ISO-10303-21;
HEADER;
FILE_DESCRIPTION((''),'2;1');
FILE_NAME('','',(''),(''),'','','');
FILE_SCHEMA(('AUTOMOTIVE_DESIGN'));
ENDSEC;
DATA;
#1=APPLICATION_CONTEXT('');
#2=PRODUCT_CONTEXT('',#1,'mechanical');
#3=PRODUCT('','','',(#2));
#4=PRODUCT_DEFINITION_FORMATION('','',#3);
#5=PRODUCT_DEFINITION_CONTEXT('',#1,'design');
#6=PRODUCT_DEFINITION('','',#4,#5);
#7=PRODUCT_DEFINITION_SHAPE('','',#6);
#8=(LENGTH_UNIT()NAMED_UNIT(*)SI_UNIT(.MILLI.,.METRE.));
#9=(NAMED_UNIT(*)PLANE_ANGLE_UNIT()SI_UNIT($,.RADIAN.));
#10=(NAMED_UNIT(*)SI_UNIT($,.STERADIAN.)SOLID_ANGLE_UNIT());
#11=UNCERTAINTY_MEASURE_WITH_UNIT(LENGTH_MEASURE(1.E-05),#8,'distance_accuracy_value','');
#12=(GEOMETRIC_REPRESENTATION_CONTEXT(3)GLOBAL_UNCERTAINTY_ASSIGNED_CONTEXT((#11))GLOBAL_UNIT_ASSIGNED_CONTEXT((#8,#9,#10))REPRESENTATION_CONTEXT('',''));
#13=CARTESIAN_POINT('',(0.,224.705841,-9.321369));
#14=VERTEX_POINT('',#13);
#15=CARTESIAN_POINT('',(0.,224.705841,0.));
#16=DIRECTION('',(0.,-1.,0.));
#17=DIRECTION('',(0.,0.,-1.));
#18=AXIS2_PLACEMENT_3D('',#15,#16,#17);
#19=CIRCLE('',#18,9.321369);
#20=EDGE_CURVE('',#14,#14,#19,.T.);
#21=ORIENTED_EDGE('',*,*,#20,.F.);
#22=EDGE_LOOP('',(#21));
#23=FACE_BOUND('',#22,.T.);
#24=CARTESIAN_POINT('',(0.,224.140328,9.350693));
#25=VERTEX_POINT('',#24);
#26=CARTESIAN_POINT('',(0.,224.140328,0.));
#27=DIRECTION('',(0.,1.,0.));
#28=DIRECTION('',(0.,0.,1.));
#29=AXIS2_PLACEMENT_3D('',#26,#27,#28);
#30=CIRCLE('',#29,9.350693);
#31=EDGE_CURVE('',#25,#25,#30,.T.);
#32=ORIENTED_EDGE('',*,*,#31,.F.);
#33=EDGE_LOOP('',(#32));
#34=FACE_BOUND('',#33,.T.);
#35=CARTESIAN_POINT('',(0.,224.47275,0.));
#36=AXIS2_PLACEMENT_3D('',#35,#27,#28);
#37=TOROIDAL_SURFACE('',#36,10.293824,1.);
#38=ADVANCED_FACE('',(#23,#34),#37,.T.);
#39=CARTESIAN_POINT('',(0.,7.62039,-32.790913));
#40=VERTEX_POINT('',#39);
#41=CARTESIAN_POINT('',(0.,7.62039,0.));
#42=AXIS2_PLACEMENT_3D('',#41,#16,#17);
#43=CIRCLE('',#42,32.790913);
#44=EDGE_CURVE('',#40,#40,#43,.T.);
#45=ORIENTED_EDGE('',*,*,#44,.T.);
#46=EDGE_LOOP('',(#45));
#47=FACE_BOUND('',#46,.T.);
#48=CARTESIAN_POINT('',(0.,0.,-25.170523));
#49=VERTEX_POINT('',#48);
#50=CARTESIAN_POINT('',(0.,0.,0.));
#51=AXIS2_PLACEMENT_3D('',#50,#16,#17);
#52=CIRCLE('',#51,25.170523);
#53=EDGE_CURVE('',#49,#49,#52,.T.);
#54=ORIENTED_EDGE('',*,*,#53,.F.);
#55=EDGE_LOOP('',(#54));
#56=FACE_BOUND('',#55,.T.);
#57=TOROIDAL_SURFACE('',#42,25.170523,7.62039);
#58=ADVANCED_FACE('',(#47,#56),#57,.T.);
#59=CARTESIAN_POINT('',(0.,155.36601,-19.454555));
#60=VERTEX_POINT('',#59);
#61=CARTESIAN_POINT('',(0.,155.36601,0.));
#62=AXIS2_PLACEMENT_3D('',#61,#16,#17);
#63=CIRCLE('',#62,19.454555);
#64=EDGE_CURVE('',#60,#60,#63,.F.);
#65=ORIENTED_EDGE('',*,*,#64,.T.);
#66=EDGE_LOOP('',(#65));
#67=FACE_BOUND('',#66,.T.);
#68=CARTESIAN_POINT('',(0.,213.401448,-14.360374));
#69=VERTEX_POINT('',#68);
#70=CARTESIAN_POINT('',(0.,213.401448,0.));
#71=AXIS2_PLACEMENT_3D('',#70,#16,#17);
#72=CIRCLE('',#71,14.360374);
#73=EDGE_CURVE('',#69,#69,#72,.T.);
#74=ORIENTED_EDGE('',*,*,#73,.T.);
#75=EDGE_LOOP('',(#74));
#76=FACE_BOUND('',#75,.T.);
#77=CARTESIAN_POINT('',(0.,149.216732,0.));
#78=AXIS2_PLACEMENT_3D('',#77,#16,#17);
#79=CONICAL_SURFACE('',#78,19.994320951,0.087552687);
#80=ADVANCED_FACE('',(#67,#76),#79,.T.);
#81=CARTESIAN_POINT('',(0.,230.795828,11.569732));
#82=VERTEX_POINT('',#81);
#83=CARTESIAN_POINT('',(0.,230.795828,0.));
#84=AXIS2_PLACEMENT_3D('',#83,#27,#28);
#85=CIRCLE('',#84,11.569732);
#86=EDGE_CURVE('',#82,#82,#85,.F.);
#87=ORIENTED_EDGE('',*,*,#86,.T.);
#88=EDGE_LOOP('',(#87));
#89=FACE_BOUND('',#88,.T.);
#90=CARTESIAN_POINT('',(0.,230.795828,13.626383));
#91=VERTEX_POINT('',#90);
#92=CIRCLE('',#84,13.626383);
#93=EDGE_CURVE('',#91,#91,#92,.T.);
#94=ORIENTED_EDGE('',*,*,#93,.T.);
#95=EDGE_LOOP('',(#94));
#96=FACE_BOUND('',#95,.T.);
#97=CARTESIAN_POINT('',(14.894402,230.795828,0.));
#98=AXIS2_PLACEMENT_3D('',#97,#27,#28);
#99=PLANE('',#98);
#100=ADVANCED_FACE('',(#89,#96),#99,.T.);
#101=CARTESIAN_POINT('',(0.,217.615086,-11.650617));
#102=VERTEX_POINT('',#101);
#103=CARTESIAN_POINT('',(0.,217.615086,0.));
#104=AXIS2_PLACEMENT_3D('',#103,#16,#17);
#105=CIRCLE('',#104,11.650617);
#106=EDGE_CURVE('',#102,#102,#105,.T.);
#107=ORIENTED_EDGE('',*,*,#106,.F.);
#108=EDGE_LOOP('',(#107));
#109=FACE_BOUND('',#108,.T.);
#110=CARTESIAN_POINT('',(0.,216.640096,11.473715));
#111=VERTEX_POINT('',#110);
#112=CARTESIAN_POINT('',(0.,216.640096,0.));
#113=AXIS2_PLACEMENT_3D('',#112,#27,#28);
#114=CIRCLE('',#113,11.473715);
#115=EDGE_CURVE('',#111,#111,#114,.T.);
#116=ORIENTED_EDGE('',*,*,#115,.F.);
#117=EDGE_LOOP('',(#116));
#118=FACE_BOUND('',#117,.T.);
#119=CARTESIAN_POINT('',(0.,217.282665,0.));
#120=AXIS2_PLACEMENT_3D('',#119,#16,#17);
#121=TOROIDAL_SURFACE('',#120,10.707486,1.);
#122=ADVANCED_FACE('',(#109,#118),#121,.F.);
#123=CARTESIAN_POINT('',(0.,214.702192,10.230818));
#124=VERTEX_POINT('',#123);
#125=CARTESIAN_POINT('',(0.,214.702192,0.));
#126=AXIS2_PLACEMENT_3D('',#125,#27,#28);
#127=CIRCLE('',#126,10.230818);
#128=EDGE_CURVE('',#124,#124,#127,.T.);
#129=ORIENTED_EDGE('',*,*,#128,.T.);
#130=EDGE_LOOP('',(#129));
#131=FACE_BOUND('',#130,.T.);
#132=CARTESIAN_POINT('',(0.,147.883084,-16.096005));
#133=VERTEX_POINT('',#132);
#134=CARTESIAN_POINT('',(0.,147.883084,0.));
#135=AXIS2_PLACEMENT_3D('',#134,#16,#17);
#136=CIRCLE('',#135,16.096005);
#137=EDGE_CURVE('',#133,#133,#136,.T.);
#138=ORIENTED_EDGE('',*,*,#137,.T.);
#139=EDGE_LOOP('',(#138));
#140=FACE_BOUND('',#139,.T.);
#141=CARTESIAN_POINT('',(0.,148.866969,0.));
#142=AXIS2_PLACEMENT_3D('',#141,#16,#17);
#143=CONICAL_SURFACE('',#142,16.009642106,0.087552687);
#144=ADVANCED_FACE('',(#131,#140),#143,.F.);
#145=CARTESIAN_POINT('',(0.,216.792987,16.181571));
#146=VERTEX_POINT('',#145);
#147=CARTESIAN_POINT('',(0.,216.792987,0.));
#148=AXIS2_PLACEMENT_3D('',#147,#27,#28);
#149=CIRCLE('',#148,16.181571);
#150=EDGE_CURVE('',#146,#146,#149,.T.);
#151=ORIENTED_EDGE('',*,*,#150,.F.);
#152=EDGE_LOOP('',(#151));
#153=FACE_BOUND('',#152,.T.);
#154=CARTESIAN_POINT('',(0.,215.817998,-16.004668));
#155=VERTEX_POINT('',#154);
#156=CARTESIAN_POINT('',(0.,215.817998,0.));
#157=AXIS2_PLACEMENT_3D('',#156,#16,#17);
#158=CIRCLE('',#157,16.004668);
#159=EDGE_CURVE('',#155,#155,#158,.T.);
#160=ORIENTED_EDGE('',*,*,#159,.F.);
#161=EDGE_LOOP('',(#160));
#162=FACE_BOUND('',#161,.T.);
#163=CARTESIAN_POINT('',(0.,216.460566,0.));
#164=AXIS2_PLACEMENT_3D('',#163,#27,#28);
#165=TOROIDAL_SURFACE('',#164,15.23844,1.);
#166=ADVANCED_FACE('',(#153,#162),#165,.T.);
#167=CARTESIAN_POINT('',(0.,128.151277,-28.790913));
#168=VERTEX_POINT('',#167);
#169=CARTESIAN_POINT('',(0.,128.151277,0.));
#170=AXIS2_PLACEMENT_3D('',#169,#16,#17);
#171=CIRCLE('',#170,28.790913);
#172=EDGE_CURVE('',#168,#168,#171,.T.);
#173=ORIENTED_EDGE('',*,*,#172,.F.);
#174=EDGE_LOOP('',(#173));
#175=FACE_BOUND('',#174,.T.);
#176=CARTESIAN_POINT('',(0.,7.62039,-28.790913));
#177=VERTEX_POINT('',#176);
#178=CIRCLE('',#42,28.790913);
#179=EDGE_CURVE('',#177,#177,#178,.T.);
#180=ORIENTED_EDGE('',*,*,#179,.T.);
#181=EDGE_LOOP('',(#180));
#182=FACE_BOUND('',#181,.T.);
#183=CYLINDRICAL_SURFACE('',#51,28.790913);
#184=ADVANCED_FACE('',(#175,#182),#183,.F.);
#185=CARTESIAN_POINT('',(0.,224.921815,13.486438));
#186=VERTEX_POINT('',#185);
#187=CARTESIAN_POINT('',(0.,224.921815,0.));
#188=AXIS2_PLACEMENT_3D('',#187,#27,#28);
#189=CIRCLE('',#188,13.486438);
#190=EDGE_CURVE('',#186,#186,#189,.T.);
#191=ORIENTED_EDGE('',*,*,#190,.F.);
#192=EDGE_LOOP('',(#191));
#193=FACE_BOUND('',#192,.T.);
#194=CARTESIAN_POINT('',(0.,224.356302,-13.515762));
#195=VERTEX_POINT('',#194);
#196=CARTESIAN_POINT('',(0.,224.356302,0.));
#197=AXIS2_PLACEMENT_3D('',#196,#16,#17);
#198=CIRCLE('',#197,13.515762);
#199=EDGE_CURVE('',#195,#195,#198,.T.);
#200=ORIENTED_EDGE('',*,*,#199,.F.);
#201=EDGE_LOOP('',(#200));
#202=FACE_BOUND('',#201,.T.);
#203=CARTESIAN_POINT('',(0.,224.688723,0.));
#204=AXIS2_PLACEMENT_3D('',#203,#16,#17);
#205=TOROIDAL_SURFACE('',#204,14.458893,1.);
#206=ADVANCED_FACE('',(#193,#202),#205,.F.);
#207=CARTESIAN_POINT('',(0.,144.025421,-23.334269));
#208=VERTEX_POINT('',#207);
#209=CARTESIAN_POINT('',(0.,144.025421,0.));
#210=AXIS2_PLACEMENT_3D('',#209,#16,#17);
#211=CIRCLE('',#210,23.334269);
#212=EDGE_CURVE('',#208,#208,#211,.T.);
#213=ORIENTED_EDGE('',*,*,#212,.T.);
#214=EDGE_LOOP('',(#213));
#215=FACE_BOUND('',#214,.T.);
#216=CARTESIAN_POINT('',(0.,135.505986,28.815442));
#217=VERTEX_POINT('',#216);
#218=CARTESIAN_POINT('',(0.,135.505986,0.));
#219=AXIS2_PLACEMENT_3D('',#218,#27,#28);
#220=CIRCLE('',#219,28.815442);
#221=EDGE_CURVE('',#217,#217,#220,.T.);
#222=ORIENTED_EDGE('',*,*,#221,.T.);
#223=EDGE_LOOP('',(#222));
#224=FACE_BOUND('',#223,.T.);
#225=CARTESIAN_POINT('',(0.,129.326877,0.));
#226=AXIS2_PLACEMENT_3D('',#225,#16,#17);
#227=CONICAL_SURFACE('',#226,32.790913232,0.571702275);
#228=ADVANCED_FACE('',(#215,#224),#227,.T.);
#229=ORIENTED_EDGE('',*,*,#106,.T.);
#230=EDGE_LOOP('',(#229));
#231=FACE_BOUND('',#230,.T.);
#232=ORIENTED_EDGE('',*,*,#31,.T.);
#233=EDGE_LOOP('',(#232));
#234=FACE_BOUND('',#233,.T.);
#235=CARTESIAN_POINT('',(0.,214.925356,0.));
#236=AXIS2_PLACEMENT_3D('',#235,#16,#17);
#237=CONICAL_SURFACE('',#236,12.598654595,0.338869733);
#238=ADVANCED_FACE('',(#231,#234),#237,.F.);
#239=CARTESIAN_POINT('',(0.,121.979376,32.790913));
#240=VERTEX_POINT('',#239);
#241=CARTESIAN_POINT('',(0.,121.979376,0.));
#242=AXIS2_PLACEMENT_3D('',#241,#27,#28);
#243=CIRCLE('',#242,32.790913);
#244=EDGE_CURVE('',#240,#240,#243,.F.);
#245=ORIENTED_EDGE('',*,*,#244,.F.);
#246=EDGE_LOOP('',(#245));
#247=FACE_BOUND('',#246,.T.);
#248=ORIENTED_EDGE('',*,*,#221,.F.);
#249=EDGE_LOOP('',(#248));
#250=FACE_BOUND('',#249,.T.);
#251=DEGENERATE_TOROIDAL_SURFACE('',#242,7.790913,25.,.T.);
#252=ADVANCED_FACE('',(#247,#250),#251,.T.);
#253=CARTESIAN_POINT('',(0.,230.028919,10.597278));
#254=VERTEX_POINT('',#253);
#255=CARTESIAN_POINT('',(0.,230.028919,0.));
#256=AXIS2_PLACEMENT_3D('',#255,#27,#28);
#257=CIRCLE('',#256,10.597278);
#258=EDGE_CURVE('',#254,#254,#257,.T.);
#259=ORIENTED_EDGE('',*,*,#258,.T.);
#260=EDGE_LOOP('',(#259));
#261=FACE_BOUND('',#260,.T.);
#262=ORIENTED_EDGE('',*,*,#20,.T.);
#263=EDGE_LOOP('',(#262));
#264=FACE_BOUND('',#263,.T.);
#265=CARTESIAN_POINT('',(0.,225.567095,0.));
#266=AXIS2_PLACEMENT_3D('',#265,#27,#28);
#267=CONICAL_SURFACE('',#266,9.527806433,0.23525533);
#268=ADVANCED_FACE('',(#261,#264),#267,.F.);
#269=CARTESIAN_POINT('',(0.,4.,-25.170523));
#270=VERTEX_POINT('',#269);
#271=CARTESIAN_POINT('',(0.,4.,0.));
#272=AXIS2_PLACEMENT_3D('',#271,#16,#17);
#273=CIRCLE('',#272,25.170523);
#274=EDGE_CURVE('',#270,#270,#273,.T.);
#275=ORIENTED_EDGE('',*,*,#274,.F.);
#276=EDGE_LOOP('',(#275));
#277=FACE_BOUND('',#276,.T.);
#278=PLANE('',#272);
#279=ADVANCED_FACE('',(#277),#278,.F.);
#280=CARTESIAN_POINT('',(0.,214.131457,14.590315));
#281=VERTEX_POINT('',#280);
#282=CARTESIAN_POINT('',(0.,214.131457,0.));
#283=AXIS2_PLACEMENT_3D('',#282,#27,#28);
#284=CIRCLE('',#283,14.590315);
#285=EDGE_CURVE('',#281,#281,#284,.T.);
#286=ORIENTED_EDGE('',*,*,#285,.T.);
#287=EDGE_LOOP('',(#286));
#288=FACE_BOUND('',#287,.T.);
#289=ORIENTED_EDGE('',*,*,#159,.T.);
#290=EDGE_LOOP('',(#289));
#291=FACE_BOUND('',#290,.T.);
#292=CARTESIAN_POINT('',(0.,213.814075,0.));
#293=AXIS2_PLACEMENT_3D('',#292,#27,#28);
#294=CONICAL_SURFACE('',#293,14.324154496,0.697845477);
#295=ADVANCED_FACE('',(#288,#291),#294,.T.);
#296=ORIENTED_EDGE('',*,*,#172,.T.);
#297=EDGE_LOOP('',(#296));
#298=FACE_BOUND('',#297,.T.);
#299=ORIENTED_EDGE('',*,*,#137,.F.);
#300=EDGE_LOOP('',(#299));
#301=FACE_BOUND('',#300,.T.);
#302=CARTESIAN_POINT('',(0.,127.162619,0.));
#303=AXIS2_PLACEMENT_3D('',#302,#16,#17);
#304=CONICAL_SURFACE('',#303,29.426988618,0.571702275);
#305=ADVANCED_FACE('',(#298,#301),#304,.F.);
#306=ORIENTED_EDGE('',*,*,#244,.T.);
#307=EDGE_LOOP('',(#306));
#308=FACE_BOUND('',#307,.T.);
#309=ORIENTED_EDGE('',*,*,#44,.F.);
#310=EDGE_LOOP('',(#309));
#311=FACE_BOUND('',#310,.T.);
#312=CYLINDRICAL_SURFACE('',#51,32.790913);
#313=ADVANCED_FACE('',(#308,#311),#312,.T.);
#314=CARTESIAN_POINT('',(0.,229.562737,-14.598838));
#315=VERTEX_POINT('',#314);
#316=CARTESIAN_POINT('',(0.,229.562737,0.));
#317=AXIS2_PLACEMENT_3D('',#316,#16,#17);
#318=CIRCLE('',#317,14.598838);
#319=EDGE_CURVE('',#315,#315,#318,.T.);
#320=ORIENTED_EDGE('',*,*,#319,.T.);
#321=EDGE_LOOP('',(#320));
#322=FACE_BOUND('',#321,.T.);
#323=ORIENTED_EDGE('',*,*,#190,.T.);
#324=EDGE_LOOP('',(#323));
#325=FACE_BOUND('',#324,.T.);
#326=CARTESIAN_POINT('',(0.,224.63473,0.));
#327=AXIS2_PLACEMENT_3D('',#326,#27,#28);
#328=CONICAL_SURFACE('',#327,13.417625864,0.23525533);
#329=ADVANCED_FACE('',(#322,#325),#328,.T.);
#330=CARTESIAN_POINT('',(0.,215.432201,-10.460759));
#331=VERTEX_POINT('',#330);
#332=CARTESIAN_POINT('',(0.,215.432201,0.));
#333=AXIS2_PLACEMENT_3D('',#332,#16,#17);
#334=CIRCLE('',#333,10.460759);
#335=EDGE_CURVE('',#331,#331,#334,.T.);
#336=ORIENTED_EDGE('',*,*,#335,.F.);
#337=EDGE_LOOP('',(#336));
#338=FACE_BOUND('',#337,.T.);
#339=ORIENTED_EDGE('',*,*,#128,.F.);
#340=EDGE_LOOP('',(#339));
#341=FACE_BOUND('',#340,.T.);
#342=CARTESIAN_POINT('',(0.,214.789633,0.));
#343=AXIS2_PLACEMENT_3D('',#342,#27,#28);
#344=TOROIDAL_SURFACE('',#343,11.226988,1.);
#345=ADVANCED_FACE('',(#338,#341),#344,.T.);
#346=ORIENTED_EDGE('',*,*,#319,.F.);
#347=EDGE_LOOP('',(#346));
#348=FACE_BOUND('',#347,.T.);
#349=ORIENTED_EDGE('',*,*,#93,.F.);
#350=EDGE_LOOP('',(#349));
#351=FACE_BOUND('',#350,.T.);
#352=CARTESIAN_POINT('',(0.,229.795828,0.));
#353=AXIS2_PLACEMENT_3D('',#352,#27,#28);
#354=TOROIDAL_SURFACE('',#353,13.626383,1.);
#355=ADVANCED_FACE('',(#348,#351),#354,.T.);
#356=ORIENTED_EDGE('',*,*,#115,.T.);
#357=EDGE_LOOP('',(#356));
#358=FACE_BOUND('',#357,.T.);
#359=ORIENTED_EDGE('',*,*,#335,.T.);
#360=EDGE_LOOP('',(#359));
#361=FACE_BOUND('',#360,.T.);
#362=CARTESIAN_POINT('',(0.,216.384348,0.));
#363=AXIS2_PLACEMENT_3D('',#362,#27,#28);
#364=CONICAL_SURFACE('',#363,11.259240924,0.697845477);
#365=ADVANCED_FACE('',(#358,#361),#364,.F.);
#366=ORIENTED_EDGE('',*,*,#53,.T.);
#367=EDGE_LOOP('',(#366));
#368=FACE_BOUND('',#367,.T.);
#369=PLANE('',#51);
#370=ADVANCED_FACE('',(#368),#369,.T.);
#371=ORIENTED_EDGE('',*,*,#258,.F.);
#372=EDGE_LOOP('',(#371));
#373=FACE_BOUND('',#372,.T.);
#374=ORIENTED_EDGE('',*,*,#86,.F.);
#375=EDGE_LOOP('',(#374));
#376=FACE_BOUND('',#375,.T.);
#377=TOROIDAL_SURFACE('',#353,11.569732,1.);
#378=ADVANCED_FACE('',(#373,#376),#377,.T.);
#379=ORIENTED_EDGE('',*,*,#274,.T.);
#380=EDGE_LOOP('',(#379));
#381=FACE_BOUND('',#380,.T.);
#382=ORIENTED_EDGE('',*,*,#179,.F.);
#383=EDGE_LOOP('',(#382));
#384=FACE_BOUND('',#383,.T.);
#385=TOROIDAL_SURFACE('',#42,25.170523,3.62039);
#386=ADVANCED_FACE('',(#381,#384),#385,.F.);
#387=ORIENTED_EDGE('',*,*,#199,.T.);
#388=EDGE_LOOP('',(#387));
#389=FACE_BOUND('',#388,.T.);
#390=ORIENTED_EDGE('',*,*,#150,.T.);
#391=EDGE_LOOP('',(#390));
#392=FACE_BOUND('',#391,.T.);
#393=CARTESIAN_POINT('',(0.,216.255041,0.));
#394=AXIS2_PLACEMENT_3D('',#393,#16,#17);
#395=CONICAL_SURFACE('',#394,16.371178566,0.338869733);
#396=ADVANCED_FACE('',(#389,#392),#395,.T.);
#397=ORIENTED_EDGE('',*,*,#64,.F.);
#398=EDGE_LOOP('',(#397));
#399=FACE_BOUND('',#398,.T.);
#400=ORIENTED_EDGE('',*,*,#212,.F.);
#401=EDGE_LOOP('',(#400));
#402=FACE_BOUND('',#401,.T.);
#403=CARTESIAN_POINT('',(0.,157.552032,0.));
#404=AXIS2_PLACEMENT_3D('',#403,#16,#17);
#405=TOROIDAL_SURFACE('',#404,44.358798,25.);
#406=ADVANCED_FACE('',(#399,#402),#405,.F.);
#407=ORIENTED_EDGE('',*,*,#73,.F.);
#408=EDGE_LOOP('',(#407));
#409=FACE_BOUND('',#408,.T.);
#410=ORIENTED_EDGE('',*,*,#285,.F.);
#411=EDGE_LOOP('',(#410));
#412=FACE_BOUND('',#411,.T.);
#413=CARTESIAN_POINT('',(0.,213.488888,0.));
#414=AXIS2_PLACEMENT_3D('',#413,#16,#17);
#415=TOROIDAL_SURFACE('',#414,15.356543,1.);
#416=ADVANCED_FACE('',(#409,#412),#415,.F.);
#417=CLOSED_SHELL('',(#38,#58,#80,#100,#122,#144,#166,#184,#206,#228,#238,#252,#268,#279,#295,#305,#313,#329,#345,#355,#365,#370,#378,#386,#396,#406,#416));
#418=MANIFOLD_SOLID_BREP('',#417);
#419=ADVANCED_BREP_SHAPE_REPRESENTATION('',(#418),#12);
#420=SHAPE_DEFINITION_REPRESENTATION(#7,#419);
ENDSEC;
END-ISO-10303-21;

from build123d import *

# Parameters (mm, degrees)
SHELL2_T  = -4
FILLET4_R = 25
FILLET5_R = 1


with BuildPart() as part:
    # Sketch4 → Revolve2 (revolve)
    with BuildSketch(Plane.XY, mode=Mode.PRIVATE) as revolve2_sk:
        with BuildLine():
            Line((0, 0), (25.170523287, 0))
            ThreePointArc((25.170523287, 0), (30.558952692, 2.231960539), (32.790913232, 7.620389945))
            Line((32.790913232, 7.620389945), (32.790913232, 129.326876863))
            Line((32.790913232, 129.326876863), (19.994320951, 149.216732244))
            Line((19.994320951, 149.216732244), (14.324154496, 213.814074554))
            Line((14.324154496, 213.814074554), (16.371178566, 216.255041386))
            Line((16.371178566, 216.255041386), (13.417625864, 224.634729952))
            Line((13.417625864, 224.634729952), (14.894402215, 230.795828182))
            Line((14.894402215, 230.795828182), (0, 230.795828182))
            Line((0, 230.795828182), (0, 0))
        make_face()
    revolve(revolve2_sk.sketch.rotate(Axis((0, 0, 0), (0, 1, 0)), 90), axis=Axis((0, 0, 0), (0, 1, 0)))

    # Shell2
    shell2_openings = [part.faces().sort_by_distance(p)[0] for p in [
        (0, 230.795828182, 0),
    ]]
    offset(amount=SHELL2_T, openings=shell2_openings, kind=Kind.INTERSECTION)

    # Fillet4
    fillet4_edges = [part.edges().sort_by_distance(p)[0] for p in [
        (0, 149.216732244, 19.994320951),
        (0, 129.326876863, 32.790913232),
    ]]
    fillet(fillet4_edges, radius=FILLET4_R)

    # Fillet5
    fillet5_edges = [part.edges().sort_by_distance(p)[0] for p in [
        (0, 215.114819076, 10.194598867),
        (0, 217.077139894, 11.840224647),
        (0, 224.418756124, 9.252556826),
        (0, 230.795828182, 10.781100741),
        (0, 230.795828182, 14.894402215),
        (0, 224.634729952, 13.417625864),
        (0, 216.255041386, 16.371178566),
        (0, 213.814074554, 14.324154496),
    ]]
    fillet(fillet5_edges, radius=FILLET5_R)


solid = part.part
